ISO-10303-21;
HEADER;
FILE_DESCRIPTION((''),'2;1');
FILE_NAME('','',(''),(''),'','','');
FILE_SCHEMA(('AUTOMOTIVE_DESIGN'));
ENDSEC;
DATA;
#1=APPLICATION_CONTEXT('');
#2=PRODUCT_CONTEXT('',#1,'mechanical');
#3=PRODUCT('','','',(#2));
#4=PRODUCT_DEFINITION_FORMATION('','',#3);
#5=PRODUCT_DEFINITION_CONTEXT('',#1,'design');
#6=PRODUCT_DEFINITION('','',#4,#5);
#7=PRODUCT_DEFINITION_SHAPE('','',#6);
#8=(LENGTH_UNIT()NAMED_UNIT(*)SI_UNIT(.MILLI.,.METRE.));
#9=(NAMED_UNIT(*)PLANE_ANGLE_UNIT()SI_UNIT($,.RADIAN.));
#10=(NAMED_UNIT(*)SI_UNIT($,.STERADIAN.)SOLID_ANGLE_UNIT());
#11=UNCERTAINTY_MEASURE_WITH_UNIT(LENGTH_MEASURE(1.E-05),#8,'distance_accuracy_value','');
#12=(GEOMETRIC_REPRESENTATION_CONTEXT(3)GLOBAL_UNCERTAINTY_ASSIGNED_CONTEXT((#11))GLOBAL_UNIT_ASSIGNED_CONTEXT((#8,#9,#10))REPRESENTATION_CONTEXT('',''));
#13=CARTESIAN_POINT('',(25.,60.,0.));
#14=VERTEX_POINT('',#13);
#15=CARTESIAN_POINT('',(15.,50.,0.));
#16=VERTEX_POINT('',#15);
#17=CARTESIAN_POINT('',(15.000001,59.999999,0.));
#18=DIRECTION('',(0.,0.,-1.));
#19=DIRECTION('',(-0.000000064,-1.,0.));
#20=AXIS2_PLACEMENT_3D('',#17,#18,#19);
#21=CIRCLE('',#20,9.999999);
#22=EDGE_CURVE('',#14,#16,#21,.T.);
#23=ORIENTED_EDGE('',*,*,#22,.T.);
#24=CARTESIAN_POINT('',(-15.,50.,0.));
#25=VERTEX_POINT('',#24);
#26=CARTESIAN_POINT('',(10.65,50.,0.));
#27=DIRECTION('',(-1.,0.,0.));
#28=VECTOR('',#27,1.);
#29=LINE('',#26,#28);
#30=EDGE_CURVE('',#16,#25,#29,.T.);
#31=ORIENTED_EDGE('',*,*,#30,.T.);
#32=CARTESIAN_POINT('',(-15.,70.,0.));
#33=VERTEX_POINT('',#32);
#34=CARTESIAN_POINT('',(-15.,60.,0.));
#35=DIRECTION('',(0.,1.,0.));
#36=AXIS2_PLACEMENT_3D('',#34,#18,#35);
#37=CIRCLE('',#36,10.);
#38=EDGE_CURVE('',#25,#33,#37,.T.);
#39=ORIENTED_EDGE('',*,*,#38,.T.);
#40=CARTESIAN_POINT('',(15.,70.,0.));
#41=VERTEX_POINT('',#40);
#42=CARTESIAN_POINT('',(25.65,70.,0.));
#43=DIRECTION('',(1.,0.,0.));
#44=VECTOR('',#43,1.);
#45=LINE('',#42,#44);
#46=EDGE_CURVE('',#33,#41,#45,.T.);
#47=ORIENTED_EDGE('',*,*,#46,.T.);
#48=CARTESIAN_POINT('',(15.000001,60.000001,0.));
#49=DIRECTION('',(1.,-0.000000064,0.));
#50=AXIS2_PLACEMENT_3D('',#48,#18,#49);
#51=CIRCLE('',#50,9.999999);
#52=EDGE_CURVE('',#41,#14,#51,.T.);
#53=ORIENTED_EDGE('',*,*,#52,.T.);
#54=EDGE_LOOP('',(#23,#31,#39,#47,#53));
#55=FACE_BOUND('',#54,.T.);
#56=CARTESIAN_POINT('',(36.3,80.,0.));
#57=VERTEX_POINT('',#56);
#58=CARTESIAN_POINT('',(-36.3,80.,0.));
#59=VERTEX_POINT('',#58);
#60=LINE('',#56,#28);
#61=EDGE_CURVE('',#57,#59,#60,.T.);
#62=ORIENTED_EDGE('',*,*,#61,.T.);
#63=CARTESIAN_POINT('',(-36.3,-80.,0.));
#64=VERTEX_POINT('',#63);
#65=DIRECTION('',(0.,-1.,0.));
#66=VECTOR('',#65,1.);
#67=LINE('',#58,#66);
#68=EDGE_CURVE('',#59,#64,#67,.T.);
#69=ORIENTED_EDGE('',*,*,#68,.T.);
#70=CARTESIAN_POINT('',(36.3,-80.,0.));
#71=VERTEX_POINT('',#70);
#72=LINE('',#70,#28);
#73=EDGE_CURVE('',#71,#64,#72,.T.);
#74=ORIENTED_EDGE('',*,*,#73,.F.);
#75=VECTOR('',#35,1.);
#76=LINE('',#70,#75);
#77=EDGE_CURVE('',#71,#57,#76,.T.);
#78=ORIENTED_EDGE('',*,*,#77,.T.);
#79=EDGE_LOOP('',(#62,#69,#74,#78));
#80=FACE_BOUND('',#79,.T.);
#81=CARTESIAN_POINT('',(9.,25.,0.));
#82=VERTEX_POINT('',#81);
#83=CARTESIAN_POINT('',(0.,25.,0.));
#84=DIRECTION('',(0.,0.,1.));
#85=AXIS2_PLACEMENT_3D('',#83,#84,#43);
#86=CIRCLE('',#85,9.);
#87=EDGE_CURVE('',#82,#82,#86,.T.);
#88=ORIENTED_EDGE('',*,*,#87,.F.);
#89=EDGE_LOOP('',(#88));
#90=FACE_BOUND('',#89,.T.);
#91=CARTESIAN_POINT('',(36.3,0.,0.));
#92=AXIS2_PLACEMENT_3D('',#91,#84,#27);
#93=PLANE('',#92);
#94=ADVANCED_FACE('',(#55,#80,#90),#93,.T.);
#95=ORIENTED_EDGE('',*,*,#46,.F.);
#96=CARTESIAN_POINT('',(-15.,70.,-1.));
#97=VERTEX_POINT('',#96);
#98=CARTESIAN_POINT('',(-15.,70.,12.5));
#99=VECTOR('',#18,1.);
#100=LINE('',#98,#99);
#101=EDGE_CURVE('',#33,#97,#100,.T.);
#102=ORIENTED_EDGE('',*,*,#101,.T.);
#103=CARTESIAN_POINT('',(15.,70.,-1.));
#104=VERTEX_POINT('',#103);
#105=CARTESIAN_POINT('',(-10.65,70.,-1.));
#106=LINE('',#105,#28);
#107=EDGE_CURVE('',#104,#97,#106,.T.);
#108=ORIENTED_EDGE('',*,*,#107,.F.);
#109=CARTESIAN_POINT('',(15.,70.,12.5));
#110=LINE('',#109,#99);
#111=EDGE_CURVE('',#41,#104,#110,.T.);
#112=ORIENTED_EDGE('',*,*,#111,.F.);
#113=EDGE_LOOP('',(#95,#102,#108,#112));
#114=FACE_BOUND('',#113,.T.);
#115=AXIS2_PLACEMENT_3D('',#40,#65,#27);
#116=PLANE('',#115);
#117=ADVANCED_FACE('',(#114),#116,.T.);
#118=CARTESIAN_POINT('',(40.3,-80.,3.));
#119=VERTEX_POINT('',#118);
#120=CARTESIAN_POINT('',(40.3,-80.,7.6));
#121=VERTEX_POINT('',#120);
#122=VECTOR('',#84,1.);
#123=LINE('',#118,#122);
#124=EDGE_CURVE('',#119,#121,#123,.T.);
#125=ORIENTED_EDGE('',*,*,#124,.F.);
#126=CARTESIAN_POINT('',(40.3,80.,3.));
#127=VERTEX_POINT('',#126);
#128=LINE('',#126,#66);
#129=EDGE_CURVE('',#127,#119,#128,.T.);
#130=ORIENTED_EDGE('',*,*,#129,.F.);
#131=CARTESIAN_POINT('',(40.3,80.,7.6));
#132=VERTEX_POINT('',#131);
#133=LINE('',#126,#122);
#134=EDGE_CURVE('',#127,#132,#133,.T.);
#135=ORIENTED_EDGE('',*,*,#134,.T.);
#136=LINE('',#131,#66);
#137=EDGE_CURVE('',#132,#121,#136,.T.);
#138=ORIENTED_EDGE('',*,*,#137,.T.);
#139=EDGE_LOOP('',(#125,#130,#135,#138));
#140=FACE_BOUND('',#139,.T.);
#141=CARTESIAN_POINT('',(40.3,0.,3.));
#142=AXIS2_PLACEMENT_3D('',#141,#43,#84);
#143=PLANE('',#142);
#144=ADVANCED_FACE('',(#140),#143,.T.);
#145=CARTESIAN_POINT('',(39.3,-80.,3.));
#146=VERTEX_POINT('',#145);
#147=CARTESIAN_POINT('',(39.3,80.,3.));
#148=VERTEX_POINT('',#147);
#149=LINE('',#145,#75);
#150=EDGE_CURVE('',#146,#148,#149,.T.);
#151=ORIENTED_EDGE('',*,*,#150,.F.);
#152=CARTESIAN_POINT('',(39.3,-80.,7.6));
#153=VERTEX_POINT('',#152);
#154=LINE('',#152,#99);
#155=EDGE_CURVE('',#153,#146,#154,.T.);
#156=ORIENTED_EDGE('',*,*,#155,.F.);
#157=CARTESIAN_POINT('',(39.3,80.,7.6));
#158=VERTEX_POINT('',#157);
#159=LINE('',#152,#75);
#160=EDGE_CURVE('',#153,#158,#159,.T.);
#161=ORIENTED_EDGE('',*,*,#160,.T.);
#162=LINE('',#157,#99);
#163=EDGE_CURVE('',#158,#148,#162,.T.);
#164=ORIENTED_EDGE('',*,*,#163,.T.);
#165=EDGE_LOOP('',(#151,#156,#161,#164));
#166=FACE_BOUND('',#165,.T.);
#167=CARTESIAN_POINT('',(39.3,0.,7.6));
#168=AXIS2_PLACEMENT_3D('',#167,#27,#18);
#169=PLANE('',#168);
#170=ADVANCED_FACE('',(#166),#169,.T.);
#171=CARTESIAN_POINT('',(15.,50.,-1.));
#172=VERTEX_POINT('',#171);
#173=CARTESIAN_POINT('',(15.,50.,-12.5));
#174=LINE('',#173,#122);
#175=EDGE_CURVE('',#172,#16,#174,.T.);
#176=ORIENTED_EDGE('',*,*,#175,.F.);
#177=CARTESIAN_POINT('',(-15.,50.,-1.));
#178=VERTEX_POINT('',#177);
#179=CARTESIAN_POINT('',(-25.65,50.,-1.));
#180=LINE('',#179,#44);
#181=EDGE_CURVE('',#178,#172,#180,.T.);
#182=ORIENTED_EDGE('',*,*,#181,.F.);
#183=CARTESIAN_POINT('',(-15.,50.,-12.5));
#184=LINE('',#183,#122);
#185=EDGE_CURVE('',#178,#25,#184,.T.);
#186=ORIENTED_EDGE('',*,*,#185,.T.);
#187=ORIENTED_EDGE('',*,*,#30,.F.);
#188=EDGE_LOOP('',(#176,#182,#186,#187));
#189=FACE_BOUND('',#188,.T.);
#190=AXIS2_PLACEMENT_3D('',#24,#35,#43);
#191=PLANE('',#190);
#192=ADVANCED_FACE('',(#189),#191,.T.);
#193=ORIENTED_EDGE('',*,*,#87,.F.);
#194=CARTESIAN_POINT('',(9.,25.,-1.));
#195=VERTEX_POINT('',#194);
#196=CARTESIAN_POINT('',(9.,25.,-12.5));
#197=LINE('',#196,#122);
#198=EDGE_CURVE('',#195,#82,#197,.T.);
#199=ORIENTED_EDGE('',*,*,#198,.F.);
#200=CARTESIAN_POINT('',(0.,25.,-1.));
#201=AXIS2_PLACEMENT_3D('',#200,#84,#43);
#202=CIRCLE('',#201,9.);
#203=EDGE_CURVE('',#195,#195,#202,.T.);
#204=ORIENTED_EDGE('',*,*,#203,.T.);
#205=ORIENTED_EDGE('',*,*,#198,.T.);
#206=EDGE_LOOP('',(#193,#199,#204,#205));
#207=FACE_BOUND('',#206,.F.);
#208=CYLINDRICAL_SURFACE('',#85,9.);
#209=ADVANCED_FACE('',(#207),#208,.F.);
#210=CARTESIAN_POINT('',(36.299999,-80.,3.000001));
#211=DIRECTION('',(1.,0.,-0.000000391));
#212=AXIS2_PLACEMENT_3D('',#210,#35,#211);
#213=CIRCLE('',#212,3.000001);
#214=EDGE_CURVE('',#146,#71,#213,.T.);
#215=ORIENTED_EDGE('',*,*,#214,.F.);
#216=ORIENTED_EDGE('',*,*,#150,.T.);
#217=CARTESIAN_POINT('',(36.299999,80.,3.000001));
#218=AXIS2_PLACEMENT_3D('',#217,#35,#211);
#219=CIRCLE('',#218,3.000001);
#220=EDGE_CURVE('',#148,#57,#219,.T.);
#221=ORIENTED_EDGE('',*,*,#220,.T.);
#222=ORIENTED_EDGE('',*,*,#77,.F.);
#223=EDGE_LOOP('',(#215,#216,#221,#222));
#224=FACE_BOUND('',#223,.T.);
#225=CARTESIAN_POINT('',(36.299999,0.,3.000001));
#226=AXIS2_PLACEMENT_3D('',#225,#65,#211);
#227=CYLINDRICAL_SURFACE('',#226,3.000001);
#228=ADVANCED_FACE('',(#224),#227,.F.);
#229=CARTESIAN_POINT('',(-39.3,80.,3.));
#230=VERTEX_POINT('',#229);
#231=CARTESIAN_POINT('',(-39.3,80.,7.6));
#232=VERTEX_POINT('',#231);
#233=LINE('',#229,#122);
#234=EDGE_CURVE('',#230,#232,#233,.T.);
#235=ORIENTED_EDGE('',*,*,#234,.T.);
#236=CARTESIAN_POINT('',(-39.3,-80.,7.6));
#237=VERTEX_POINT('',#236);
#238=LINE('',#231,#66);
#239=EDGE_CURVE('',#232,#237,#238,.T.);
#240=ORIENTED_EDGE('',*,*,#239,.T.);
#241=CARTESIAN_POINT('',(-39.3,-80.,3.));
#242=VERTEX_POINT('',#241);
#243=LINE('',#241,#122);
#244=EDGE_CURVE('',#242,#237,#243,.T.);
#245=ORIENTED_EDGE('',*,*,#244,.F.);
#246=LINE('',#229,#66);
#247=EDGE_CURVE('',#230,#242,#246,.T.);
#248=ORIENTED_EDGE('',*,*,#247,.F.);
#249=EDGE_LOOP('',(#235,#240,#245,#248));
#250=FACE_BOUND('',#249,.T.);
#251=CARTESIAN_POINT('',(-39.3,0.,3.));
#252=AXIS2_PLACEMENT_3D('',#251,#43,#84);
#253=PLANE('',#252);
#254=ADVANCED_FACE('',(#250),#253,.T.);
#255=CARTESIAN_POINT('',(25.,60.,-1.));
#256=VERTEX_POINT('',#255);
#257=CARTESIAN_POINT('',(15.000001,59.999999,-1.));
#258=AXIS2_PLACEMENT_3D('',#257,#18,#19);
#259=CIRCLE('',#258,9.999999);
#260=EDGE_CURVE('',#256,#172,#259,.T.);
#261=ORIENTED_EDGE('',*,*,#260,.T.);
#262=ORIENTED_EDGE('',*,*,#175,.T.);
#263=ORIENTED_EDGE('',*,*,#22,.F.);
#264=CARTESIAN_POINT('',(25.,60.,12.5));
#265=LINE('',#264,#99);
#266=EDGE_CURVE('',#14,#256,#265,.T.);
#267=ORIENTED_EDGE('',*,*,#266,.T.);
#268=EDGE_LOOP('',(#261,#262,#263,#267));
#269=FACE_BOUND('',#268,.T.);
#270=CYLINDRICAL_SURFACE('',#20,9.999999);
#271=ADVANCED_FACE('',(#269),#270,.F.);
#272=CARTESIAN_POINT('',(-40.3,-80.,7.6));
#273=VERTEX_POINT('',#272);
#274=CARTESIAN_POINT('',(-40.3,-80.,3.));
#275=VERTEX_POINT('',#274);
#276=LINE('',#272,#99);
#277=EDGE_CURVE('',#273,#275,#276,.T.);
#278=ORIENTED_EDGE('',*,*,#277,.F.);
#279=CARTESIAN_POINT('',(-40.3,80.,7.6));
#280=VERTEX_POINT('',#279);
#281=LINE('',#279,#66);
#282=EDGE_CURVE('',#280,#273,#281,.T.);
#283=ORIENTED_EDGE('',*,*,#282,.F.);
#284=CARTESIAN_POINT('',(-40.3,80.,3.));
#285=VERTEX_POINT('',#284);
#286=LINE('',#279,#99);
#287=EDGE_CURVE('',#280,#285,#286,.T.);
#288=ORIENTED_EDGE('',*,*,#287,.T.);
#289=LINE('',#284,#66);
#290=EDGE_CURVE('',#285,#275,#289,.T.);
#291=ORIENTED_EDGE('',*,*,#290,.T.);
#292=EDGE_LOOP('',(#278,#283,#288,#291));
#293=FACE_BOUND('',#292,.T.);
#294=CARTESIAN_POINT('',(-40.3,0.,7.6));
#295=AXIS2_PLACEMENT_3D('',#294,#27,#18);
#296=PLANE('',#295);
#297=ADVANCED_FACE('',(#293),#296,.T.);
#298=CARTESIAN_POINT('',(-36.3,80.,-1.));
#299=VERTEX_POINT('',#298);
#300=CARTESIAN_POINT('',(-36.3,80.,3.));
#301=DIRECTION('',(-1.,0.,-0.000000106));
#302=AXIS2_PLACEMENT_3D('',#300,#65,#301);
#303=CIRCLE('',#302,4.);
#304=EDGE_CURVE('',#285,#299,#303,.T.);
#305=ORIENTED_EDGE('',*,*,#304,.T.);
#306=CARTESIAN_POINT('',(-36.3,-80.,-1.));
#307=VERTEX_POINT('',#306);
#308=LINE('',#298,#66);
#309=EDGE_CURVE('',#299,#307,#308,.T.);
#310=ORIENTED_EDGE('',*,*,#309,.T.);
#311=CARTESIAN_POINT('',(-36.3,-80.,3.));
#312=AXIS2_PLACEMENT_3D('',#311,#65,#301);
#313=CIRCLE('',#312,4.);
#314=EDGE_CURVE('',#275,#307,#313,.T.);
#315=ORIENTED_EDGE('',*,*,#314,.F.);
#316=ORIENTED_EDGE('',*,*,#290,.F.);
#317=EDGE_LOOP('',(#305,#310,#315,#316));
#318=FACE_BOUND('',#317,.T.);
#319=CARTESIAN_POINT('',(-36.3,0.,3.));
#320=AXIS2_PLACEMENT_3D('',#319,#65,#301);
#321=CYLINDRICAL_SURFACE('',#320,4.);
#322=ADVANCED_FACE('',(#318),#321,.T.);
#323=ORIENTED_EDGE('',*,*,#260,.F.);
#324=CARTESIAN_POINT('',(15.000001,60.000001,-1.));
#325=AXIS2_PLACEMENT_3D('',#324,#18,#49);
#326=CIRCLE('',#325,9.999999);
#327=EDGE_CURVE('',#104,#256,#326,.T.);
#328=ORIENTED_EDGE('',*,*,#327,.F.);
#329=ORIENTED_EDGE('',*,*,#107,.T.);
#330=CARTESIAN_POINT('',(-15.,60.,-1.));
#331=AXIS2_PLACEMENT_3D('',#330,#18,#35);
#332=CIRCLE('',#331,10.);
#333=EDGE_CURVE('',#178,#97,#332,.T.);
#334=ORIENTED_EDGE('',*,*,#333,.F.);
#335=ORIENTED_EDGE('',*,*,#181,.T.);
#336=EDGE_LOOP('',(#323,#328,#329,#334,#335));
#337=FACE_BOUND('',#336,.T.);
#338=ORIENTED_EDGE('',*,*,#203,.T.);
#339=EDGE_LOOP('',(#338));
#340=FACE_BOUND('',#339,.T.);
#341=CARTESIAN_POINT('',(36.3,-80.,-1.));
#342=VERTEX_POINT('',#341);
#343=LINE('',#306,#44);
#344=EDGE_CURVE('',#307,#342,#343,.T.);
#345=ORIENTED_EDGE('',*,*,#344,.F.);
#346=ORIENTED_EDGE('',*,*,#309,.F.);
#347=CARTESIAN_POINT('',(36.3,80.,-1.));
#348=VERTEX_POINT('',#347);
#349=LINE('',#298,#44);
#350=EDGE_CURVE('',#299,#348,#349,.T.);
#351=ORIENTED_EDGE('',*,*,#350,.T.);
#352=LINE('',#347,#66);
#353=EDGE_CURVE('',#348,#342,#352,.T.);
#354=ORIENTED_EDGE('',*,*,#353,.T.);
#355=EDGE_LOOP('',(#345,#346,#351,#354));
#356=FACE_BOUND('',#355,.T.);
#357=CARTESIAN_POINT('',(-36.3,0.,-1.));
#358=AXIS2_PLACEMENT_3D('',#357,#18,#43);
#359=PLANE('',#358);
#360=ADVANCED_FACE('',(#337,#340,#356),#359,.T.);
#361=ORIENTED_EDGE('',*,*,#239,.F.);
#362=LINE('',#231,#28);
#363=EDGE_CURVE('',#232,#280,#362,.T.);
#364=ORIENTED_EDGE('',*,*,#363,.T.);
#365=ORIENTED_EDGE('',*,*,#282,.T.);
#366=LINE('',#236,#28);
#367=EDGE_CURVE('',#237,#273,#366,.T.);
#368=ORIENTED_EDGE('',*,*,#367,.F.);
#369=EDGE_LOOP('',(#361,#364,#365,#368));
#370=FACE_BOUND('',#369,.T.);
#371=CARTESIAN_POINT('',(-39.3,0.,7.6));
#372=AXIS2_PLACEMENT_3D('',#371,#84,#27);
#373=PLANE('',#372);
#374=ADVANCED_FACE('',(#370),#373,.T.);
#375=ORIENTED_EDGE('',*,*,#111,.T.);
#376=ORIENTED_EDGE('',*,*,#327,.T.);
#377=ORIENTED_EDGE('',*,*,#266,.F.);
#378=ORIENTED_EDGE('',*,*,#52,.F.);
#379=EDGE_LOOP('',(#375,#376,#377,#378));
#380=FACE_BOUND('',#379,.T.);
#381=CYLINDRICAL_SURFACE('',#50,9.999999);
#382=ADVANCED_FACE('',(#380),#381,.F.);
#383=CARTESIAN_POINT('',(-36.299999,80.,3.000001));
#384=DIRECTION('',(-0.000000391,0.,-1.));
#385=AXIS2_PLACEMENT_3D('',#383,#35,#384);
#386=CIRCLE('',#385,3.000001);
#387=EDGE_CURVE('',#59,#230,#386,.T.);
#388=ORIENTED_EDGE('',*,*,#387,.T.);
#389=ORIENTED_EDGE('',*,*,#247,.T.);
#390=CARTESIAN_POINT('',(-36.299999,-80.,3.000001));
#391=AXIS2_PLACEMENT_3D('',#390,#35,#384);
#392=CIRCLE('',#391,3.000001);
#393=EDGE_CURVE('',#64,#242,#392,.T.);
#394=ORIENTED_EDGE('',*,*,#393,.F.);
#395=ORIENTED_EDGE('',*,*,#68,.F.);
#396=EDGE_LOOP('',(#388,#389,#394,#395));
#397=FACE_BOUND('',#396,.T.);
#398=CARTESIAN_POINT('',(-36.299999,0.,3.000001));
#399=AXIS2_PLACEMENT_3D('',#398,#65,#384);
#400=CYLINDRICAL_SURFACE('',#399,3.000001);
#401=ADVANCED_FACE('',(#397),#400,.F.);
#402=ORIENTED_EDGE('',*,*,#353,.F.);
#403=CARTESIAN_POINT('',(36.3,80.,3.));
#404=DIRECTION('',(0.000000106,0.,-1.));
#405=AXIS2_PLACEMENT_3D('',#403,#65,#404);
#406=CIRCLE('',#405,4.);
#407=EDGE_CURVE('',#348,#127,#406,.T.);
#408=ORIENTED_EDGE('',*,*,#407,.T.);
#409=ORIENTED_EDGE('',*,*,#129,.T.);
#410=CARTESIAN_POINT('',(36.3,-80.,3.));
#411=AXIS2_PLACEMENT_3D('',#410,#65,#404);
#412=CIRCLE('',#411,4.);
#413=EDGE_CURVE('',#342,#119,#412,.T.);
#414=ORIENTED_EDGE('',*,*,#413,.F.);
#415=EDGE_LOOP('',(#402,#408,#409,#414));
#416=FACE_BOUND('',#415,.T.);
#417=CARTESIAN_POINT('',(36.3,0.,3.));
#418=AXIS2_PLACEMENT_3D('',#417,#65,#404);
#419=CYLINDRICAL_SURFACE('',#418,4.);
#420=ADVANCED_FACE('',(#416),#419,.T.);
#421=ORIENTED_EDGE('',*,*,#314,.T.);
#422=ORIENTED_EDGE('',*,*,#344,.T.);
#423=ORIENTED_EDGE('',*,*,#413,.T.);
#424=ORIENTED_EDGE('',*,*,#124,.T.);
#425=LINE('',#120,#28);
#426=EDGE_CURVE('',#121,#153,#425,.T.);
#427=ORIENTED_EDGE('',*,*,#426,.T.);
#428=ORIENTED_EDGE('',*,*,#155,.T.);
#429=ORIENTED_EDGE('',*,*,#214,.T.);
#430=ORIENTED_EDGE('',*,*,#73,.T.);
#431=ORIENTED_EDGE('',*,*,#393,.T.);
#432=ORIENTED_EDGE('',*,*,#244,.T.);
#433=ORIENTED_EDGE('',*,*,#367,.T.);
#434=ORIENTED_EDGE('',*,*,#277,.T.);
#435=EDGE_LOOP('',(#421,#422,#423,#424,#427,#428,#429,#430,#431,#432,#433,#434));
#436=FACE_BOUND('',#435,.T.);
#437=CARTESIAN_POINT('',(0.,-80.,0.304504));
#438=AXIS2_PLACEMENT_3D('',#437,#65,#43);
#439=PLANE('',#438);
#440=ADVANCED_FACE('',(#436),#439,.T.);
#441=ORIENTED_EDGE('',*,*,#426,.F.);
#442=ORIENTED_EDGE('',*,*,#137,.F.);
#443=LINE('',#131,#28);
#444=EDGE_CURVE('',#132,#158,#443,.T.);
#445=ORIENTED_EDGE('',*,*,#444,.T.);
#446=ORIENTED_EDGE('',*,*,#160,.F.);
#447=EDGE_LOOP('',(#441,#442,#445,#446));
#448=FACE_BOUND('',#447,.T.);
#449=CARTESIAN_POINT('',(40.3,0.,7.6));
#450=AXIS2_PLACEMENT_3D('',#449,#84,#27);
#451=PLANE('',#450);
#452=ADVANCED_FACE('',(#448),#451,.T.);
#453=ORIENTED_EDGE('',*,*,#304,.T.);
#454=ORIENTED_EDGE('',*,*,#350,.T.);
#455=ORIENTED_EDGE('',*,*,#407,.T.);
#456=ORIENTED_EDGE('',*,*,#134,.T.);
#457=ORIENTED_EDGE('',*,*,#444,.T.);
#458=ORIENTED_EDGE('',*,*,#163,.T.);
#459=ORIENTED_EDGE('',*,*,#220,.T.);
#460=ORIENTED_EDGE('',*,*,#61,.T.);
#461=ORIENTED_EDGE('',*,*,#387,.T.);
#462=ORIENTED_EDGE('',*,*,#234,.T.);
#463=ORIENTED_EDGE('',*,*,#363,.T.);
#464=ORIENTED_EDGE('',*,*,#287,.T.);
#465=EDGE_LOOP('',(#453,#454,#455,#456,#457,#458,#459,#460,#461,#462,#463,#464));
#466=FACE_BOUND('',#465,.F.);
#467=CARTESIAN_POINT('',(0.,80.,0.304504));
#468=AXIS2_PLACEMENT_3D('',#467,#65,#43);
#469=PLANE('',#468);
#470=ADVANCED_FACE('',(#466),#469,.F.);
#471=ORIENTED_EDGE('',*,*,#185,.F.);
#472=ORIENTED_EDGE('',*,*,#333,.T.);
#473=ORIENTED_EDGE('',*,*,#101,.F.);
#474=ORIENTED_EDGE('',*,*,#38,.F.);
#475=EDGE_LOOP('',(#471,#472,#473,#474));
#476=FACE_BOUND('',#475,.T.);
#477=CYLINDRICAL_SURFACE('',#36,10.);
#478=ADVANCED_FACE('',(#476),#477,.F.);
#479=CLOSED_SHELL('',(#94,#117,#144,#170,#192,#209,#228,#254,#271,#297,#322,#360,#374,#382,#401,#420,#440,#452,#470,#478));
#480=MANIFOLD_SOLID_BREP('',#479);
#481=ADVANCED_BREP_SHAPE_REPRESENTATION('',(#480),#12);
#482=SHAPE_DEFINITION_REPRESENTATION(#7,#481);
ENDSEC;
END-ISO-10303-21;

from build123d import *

# Parameters (mm, degrees)
F1_DEPTH = 80
F2_R     = 9
F3_DEPTH = 12.5


with BuildPart() as f1:
    # F0 (on Front) → F1 (new body, symmetric)
    with BuildSketch(Plane.XZ):
        with BuildLine():
            Line((36.3, 0), (-36.3, 0))
            ThreePointArc((-36.3, 0), (-38.42132, 0.87868), (-39.3, 3))
            Line((-39.3, 3), (-39.3, 7.6))
            Line((-39.3, 7.6), (-40.3, 7.6))
            Line((-40.3, 7.6), (-40.3, 3))
            ThreePointArc((-40.3, 3), (-39.128427, 0.171573), (-36.3, -1))
            Line((-36.3, -1), (36.3, -1))
            ThreePointArc((36.3, -1), (39.128427, 0.171573), (40.3, 3))
            Line((40.3, 3), (40.3, 7.6))
            Line((40.3, 7.6), (39.3, 7.6))
            Line((39.3, 7.6), (39.3, 3))
            ThreePointArc((39.3, 3), (38.42132, 0.87868), (36.3, 0))
        make_face()
    extrude(amount=F1_DEPTH, both=True)

    # F2 (on Top) → F3 (cut, symmetric)
    with BuildSketch(Plane.XY):
        with BuildLine():
            Line((-15, 50), (-15, 70))
            ThreePointArc((-15, 70), (-25, 60), (-15, 50))
        make_face()
        with BuildLine():
            ThreePointArc((-5, 60), (-7.928932, 67.071068), (-15, 70))
            Line((-15, 70), (-15, 50))
            ThreePointArc((-15, 50), (-7.928932, 52.928932), (-5, 60))
        make_face()
        with BuildLine():
            ThreePointArc((15, 50), (5, 60), (15, 70))
            Line((15, 70), (-15, 70))
            ThreePointArc((-15, 70), (-7.928932, 67.071068), (-5, 60))
            ThreePointArc((-5, 60), (-7.928932, 52.928932), (-15, 50))
            Line((-15, 50), (15, 50))
        make_face()
        with BuildLine():
            Line((15, 50), (15, 70))
            ThreePointArc((15, 70), (5, 60), (15, 50))
        make_face()
        with BuildLine():
            ThreePointArc((25, 60), (22.071068, 67.071068), (15, 70))
            Line((15, 70), (15, 50))
            ThreePointArc((15, 50), (22.071068, 52.928932), (25, 60))
        make_face()
        with Locations((0, 25)):
            Circle(F2_R)
    extrude(amount=F3_DEPTH, both=True, mode=Mode.SUBTRACT)


solid = f1.part
